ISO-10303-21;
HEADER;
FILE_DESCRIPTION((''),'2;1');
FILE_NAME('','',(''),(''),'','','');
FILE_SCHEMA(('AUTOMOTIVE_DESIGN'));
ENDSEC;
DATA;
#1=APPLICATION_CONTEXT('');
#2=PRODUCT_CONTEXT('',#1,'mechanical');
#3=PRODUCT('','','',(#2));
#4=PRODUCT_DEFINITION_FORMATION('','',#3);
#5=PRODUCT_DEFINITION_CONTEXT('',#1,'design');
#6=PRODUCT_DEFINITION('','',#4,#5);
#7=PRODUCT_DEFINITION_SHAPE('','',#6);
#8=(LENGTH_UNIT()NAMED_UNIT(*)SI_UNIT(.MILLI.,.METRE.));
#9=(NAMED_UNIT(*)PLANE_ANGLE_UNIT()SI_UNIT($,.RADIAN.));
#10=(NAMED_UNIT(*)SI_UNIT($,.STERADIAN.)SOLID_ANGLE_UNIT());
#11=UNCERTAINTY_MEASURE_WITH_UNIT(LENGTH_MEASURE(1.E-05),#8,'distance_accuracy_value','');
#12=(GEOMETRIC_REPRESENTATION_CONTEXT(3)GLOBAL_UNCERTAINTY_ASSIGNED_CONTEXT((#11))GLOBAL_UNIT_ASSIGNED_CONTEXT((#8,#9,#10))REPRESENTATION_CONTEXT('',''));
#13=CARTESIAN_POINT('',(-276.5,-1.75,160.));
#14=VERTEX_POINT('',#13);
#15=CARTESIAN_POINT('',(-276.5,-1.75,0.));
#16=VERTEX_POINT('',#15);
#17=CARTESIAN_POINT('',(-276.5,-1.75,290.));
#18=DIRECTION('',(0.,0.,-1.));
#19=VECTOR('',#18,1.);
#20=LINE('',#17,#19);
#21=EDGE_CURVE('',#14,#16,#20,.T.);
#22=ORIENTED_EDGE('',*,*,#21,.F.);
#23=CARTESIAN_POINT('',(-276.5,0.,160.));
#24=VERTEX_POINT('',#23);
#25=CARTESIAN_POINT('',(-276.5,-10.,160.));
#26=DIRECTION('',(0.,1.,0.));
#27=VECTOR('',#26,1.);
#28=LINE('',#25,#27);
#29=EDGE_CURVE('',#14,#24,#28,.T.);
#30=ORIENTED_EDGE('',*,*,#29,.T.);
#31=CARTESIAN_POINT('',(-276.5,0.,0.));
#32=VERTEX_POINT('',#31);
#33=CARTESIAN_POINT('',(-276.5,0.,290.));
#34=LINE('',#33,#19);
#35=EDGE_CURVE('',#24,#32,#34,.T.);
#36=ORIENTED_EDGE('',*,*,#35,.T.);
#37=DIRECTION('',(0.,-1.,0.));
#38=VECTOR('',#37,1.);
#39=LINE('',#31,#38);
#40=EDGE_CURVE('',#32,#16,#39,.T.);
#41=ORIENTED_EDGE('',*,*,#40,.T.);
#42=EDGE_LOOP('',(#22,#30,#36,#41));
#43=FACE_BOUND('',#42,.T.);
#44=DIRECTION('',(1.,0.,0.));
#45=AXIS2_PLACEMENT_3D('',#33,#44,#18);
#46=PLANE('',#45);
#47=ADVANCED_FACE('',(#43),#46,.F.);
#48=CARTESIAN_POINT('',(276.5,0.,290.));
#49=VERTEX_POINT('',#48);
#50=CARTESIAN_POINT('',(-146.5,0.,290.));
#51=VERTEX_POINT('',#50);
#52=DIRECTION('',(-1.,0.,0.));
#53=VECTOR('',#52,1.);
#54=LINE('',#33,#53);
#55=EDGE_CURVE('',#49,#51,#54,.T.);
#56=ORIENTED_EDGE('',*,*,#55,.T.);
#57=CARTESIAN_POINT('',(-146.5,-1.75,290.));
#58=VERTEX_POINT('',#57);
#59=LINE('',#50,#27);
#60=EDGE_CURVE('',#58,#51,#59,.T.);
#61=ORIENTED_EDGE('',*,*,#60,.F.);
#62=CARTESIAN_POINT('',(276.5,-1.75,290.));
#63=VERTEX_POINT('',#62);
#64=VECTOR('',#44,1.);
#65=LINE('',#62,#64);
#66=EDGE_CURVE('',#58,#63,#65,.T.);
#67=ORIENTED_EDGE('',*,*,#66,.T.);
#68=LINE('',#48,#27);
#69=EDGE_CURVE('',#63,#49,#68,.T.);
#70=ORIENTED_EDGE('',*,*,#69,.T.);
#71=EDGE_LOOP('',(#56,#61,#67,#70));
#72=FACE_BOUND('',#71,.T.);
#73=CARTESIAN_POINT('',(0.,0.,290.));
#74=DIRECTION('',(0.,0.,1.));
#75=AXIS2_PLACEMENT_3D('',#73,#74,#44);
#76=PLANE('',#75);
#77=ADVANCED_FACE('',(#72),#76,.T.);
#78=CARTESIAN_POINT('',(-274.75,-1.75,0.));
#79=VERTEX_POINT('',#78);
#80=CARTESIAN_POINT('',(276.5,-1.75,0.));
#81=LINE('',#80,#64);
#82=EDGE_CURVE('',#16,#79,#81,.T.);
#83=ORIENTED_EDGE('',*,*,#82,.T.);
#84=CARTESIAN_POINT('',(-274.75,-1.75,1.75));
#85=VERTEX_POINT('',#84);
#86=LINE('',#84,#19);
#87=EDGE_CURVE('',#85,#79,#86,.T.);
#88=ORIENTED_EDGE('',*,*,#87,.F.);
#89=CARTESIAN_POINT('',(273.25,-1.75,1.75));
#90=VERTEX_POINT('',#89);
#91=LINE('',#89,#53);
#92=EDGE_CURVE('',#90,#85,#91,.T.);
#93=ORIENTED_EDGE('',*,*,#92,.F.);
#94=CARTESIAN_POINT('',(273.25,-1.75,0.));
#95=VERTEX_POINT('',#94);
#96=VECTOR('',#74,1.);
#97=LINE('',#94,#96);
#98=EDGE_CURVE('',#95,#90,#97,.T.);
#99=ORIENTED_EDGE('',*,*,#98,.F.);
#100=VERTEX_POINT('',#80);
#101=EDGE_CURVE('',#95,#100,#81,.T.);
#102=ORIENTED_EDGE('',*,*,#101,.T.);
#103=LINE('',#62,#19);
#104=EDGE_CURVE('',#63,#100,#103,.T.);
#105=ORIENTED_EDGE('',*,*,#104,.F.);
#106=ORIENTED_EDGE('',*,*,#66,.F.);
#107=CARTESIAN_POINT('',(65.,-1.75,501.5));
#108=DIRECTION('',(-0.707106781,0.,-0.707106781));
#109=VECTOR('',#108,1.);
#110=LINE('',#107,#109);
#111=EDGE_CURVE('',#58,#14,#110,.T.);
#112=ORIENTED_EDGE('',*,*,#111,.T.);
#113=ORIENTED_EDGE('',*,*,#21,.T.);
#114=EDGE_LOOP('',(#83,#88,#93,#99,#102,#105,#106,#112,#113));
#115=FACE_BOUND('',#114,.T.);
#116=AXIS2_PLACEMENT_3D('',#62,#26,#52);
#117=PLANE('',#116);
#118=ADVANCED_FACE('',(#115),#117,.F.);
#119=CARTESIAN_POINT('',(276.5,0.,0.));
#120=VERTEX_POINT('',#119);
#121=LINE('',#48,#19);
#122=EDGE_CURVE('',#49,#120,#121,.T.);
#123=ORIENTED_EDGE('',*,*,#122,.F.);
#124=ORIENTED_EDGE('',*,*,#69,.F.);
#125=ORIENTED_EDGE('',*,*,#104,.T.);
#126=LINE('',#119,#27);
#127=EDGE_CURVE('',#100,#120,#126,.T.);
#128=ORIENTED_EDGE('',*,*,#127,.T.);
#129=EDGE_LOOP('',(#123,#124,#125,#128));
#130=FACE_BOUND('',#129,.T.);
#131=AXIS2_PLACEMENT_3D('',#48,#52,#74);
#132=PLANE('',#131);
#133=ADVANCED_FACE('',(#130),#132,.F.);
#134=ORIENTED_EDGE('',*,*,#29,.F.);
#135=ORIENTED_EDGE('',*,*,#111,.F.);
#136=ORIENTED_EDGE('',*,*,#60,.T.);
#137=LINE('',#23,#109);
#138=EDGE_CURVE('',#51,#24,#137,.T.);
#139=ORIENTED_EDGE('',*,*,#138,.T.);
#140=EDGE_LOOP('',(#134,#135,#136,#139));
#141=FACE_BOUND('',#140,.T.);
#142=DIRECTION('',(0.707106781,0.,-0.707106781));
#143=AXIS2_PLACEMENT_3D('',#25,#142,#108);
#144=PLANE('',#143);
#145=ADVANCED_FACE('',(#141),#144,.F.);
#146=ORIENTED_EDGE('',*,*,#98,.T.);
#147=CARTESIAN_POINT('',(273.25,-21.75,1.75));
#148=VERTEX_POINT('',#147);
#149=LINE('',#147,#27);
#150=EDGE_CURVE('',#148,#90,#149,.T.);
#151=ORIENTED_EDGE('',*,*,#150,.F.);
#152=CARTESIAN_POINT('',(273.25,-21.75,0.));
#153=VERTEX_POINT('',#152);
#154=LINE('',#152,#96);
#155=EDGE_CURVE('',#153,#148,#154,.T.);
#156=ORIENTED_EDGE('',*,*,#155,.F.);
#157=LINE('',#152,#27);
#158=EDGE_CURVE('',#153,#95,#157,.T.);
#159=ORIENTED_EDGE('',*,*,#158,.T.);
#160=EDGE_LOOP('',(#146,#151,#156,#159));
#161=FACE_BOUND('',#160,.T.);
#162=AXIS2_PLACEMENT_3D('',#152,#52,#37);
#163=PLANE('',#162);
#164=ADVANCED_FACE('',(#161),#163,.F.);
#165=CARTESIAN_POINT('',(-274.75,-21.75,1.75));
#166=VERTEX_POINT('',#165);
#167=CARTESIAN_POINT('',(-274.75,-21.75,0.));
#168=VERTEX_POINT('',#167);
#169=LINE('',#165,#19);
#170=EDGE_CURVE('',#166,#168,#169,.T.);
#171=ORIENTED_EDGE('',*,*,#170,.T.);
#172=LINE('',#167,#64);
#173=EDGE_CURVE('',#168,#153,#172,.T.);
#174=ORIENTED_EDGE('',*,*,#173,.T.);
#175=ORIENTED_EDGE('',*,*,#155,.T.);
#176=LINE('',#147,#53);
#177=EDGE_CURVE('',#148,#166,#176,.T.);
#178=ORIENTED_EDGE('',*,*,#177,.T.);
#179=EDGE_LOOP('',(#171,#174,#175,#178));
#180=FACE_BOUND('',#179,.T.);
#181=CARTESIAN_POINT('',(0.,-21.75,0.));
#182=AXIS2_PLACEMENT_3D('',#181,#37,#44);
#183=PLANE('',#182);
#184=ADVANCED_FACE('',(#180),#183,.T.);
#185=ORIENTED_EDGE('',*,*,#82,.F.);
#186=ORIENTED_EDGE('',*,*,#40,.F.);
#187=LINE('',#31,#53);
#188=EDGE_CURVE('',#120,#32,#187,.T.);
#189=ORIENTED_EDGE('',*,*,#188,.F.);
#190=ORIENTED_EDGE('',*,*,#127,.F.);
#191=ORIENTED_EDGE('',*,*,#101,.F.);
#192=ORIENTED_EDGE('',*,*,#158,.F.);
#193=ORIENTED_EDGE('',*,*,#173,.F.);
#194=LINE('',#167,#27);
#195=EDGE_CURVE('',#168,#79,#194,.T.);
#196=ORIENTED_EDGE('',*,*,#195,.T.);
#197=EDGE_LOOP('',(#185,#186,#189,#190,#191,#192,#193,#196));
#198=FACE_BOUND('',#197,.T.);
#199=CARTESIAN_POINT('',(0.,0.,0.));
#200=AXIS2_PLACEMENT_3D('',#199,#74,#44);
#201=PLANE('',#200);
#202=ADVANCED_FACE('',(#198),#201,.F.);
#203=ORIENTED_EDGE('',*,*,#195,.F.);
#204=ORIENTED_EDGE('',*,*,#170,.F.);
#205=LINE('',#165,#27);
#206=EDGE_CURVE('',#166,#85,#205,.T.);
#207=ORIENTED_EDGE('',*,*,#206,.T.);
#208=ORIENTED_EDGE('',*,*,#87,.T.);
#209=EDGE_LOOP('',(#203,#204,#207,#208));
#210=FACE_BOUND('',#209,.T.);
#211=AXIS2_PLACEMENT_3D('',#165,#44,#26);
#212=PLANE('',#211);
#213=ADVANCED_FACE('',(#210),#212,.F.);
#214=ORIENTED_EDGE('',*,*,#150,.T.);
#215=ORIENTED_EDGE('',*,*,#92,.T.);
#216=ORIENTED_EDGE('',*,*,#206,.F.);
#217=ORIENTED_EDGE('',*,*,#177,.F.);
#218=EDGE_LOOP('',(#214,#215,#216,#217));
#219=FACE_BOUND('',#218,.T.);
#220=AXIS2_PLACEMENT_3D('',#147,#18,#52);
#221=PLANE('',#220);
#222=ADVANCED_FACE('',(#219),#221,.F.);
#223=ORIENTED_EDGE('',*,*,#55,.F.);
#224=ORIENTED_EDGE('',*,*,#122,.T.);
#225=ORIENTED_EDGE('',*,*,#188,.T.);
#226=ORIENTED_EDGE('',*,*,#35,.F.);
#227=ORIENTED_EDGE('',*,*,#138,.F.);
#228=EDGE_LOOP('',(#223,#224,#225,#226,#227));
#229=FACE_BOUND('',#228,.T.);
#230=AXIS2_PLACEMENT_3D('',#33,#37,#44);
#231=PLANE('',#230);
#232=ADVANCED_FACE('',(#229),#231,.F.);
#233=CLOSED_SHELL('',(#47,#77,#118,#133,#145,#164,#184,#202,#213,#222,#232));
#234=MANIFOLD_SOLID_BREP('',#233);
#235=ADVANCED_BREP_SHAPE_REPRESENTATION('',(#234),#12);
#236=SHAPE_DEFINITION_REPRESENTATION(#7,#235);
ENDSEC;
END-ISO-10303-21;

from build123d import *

# Parameters (mm, degrees)
SZKIC2_W                    = 553
SZKIC2_H                    = 1.75
DODANIE_WYCI_GNI_CIE1_DEPTH = 290
WYTNIJ_WYCI_GNI_CIE1_DEPTH  = 10
SZKIC7_W                    = 548
SZKIC7_H                    = 1.75
DODANIE_WYCI_GNI_CIE4_DEPTH = 20


with BuildPart() as part:
    # Szkic2 → Dodanie-wyciągnięcie1 (new body)
    with BuildSketch(Plane.XY):
        with Locations((0, -0.875)):
            Rectangle(SZKIC2_W, SZKIC2_H)
    extrude(amount=DODANIE_WYCI_GNI_CIE1_DEPTH)

    # Szkic3 → Wytnij-wyciągnięcie1 (cut)
    with BuildSketch(Plane(origin=(0, 0, 0), x_dir=(1, 0, 0), z_dir=(0, 1, 0))):
        Polygon((-276.5, -290), (-276.5, -160), (-146.5, -290), align=None)
    extrude(amount=-WYTNIJ_WYCI_GNI_CIE1_DEPTH, mode=Mode.SUBTRACT)

    # Szkic7 → Dodanie-wyciągnięcie4 (add)
    with BuildSketch(Plane.XZ.offset(1.75)):
        with Locations((-0.75, 0.875)):
            Rectangle(SZKIC7_W, SZKIC7_H)
    extrude(amount=DODANIE_WYCI_GNI_CIE4_DEPTH)


solid = part.part
